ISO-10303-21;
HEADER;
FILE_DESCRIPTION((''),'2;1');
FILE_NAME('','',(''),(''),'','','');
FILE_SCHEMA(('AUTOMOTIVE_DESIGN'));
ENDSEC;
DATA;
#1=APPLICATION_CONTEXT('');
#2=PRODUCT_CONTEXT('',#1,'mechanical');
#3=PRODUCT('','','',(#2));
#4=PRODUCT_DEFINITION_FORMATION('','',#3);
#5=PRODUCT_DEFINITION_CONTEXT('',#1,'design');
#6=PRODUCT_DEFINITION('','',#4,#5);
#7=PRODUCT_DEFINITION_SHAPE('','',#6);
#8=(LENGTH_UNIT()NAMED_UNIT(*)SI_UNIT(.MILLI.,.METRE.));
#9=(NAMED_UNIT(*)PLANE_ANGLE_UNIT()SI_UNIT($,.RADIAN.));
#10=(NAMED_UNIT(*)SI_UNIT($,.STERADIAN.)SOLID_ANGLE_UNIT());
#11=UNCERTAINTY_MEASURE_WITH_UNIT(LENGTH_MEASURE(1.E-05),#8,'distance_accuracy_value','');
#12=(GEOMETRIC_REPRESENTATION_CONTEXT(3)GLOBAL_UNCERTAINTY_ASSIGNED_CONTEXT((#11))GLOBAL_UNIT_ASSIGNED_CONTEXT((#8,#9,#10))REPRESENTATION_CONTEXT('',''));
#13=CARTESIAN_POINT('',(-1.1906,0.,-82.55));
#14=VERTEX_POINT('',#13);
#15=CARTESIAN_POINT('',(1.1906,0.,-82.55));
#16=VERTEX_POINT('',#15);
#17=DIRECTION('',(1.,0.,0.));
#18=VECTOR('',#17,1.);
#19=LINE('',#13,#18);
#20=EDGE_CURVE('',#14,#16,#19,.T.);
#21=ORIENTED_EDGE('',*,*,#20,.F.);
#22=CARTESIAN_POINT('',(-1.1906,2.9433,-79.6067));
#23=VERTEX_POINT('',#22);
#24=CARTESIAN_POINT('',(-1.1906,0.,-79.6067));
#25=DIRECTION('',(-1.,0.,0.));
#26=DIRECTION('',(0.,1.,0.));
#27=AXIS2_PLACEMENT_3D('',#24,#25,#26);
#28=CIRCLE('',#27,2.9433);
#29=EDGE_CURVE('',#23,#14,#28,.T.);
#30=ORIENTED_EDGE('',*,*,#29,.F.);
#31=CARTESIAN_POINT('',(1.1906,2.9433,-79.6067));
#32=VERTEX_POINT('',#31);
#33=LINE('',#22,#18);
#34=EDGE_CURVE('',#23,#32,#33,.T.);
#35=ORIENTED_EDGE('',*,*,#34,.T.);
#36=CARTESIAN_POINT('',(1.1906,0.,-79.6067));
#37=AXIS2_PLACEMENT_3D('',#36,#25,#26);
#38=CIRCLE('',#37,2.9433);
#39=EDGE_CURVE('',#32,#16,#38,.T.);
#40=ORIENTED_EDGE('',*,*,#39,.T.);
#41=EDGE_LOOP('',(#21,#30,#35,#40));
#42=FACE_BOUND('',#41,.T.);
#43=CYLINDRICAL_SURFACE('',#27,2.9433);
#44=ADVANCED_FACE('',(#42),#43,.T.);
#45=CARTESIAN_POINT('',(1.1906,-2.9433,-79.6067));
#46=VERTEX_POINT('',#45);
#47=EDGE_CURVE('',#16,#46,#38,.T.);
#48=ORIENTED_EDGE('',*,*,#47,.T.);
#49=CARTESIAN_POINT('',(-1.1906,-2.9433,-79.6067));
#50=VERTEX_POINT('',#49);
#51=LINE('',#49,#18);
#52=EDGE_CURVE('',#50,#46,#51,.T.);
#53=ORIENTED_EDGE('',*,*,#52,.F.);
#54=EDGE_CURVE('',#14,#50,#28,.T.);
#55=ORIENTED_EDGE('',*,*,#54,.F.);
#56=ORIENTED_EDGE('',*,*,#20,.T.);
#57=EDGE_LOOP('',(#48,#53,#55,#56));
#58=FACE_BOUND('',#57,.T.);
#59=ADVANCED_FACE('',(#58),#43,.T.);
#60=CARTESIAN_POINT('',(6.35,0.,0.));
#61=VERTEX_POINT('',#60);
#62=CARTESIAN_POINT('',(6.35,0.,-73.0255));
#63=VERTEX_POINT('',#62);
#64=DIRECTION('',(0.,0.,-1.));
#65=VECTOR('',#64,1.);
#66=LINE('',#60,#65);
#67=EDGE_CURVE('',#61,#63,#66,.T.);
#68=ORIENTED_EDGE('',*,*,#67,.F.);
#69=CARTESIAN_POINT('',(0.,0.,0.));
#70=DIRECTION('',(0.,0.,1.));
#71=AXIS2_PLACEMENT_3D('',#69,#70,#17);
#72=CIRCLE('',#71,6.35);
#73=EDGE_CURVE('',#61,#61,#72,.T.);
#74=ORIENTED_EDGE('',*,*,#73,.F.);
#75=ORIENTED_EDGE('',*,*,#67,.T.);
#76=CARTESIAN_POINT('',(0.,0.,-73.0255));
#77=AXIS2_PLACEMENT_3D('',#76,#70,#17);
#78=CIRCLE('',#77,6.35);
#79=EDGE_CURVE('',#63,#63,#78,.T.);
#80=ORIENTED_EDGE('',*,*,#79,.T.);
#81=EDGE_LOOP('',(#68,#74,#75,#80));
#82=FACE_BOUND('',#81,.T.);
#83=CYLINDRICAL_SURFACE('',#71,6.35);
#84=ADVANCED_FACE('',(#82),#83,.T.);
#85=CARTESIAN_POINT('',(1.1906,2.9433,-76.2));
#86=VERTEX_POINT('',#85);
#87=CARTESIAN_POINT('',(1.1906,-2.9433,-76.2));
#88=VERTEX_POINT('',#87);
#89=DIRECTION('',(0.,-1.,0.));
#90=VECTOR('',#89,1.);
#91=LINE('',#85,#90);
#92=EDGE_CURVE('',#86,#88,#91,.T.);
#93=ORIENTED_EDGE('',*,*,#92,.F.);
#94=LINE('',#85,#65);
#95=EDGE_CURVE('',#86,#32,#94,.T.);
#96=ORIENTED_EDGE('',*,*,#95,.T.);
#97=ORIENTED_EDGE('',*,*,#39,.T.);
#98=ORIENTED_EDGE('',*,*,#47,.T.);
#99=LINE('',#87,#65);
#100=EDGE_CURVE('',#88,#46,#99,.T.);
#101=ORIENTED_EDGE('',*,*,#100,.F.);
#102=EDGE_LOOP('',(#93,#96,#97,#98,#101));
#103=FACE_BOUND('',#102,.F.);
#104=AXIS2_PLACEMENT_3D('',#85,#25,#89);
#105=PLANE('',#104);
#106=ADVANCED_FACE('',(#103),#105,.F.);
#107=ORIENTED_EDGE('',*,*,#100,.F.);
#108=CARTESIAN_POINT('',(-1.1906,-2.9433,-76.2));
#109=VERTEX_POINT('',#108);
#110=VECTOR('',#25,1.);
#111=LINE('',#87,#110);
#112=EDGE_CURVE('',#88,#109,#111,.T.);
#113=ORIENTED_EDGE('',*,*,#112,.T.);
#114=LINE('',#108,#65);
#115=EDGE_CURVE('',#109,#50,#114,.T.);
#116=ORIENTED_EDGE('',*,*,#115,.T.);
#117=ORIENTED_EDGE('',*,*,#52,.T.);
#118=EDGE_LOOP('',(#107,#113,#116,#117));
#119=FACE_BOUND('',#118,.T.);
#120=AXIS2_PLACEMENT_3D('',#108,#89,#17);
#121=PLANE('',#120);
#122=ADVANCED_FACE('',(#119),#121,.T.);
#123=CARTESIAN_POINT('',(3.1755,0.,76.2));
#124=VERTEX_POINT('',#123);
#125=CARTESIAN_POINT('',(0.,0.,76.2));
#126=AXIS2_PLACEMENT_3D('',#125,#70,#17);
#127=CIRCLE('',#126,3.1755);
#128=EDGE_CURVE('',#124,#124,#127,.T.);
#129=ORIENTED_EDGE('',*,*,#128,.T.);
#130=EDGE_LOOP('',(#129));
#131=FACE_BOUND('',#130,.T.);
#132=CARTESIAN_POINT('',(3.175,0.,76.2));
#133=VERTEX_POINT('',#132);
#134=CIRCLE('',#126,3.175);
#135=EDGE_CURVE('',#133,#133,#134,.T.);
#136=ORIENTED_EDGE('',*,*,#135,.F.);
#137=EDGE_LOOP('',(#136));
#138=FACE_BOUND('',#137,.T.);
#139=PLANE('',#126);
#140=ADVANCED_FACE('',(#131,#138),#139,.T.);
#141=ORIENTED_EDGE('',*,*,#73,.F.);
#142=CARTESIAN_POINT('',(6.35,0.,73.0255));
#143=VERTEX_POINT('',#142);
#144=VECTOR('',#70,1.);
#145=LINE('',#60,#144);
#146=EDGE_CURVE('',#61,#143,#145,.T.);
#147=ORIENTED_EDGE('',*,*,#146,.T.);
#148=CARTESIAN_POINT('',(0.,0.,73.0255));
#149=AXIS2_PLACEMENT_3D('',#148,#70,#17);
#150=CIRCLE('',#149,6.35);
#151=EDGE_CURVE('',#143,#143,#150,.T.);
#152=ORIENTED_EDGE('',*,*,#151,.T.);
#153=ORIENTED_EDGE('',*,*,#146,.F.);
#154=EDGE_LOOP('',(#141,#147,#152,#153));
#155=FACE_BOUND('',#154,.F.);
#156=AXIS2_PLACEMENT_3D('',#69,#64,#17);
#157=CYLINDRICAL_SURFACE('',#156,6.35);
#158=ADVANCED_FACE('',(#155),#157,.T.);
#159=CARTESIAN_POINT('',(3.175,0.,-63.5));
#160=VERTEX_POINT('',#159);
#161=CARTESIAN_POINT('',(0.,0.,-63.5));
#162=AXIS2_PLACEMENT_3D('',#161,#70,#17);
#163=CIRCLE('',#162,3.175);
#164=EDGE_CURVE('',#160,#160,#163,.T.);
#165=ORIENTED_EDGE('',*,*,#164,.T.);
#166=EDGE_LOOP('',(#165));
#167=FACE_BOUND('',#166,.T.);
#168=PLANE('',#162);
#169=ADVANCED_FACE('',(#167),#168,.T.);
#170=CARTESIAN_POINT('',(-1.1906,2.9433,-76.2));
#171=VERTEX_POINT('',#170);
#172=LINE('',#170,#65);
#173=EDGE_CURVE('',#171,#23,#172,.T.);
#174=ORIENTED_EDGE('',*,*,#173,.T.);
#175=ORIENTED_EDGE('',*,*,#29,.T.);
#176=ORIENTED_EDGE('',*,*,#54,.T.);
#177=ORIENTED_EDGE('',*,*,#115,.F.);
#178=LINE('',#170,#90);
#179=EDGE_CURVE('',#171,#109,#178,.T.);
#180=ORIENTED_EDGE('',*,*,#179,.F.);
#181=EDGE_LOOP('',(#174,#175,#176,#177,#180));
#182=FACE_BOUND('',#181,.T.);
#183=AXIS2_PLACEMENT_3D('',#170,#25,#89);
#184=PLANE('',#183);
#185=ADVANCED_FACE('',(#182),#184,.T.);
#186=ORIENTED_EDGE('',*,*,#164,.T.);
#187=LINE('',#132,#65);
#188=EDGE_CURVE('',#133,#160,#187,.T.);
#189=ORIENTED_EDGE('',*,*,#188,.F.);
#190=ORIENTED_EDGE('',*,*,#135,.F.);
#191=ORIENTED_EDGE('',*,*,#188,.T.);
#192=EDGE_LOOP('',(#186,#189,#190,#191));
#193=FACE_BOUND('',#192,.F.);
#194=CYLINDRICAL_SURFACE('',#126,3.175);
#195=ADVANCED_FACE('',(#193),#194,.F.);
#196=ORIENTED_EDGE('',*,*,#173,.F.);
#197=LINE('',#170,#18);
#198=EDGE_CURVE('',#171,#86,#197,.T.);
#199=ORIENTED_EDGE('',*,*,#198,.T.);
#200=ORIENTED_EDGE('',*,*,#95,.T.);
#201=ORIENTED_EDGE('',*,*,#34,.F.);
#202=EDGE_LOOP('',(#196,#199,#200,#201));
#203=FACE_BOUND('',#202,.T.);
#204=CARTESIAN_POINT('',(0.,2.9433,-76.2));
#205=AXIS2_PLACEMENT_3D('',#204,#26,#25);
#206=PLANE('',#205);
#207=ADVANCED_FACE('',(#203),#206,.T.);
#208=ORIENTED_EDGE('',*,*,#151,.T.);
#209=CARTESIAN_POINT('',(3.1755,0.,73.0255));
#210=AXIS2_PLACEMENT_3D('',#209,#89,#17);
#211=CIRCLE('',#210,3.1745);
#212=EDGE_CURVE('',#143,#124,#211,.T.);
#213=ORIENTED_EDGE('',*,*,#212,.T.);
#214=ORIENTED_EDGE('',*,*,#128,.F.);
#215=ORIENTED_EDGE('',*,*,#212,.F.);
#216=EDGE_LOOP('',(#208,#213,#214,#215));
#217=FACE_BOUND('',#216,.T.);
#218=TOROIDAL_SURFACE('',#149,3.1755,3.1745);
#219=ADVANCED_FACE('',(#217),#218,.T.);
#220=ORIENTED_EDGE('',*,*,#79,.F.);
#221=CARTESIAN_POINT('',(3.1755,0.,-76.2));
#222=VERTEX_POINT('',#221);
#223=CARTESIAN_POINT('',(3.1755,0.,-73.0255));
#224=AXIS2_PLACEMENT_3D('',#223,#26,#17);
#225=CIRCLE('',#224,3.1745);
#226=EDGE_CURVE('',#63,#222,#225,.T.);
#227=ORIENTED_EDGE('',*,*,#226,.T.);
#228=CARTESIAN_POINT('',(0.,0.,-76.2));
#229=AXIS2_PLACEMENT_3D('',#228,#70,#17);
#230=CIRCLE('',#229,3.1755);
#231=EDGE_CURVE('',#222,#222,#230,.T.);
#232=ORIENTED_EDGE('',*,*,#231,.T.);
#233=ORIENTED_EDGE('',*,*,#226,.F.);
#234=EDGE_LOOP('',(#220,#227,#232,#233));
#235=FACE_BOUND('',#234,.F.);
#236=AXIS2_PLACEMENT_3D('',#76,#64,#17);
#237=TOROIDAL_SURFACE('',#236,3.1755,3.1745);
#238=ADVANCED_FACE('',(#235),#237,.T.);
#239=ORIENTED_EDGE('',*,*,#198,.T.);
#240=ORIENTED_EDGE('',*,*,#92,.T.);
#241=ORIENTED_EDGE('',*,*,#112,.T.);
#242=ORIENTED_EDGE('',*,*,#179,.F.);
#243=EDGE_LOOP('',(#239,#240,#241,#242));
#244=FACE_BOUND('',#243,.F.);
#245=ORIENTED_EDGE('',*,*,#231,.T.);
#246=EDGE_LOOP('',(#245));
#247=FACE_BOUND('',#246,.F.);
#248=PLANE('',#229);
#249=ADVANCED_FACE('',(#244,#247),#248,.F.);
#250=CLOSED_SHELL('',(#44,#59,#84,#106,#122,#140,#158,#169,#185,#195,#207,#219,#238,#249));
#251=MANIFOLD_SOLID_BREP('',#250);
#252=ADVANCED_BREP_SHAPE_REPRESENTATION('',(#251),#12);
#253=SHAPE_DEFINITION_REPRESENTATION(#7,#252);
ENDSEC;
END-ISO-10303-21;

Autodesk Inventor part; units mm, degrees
ref_plane "YZ Plane" through (0, 0, 0) normal (1, 0, 0) x (0, 1, 0)
ref_plane "XZ Plane" through (0, 0, 0) normal (0, 1, 0) x (-1, 0, 0)
ref_plane "XY Plane" through (0, 0, 0) normal (0, 0, 1) x (1, 0, 0)
sketch "Sketch1" plane through (0, 0, 0) normal (0, 0, 1) x (1, 0, 0)
  circle A0 centre (0, 0) radius 6.35
  dimension "d0" = 12.7
extrude "Extrusion1" add sketch "Sketch1" along normal mid plane 152.4
sketch "Sketch2" plane through (0, 0, 76.2) normal (0, 0, 1) x (1, 0, 0)
  circle A0 centre (0, 0) radius 6.35 projected
  circle A1 centre (0, 0) radius 3.175
  dimension "d3" = 6.35
extrude "Extrusion2" cut sketch "Sketch2" against normal blind 139.7 contours A1
fillet "Fillet1" radius 3.175 2 edges at (-6.35, 0, -76.2) (-6.35, 0, 76.2)
sketch "Sketch3" plane through (0, 0, -76.2) normal (0, 0, -1) x (-1, 0, 0)
  circle A0 centre (0, 0) radius 3.175 projected
  line L0 (-1.1906, 2.9433) -> (-1.1906, -2.9433)
  line L1 (1.1906, 2.9433) -> (1.1906, -2.9433)
  line L2 (0, -8.89) -> (0, 8.89) projected
  line L3 (-1.1906, 2.9433) -> (1.1906, 2.9433)
  line L4 (1.1906, -2.9433) -> (-1.1906, -2.9433)
  dimension "d7" = 2.3813
extrude "Extrusion3" add sketch "Sketch3" along normal blind 6.35 contours L1 L4 L2 L3 | L2 L4 L0 L3
sketch "Sketch4" plane through (-1.1906, -2.9433, -76.2) normal (-1, 0, 0) x (0, 0, 1)
  line L0 (-6.35, 5.8866) -> (-6.35, 0) projected
  line L1 (0, 0) -> (-6.35, 0) projected
  line L2 (0, 5.8866) -> (0, 0) projected
  line L3 (0, 5.8866) -> (-6.35, 5.8866) projected
  arc A0 (-3.4067, 5.8866) -> (-3.4067, 0) centre (-3.4067, 2.9433) ccw
  point P0 (76.2, 2.9433)
extrude "Extrusion4" cut sketch "Sketch4" against normal through all contours L3 A0 L0 | A0 L1 L0
properties part number "piston_outer"
